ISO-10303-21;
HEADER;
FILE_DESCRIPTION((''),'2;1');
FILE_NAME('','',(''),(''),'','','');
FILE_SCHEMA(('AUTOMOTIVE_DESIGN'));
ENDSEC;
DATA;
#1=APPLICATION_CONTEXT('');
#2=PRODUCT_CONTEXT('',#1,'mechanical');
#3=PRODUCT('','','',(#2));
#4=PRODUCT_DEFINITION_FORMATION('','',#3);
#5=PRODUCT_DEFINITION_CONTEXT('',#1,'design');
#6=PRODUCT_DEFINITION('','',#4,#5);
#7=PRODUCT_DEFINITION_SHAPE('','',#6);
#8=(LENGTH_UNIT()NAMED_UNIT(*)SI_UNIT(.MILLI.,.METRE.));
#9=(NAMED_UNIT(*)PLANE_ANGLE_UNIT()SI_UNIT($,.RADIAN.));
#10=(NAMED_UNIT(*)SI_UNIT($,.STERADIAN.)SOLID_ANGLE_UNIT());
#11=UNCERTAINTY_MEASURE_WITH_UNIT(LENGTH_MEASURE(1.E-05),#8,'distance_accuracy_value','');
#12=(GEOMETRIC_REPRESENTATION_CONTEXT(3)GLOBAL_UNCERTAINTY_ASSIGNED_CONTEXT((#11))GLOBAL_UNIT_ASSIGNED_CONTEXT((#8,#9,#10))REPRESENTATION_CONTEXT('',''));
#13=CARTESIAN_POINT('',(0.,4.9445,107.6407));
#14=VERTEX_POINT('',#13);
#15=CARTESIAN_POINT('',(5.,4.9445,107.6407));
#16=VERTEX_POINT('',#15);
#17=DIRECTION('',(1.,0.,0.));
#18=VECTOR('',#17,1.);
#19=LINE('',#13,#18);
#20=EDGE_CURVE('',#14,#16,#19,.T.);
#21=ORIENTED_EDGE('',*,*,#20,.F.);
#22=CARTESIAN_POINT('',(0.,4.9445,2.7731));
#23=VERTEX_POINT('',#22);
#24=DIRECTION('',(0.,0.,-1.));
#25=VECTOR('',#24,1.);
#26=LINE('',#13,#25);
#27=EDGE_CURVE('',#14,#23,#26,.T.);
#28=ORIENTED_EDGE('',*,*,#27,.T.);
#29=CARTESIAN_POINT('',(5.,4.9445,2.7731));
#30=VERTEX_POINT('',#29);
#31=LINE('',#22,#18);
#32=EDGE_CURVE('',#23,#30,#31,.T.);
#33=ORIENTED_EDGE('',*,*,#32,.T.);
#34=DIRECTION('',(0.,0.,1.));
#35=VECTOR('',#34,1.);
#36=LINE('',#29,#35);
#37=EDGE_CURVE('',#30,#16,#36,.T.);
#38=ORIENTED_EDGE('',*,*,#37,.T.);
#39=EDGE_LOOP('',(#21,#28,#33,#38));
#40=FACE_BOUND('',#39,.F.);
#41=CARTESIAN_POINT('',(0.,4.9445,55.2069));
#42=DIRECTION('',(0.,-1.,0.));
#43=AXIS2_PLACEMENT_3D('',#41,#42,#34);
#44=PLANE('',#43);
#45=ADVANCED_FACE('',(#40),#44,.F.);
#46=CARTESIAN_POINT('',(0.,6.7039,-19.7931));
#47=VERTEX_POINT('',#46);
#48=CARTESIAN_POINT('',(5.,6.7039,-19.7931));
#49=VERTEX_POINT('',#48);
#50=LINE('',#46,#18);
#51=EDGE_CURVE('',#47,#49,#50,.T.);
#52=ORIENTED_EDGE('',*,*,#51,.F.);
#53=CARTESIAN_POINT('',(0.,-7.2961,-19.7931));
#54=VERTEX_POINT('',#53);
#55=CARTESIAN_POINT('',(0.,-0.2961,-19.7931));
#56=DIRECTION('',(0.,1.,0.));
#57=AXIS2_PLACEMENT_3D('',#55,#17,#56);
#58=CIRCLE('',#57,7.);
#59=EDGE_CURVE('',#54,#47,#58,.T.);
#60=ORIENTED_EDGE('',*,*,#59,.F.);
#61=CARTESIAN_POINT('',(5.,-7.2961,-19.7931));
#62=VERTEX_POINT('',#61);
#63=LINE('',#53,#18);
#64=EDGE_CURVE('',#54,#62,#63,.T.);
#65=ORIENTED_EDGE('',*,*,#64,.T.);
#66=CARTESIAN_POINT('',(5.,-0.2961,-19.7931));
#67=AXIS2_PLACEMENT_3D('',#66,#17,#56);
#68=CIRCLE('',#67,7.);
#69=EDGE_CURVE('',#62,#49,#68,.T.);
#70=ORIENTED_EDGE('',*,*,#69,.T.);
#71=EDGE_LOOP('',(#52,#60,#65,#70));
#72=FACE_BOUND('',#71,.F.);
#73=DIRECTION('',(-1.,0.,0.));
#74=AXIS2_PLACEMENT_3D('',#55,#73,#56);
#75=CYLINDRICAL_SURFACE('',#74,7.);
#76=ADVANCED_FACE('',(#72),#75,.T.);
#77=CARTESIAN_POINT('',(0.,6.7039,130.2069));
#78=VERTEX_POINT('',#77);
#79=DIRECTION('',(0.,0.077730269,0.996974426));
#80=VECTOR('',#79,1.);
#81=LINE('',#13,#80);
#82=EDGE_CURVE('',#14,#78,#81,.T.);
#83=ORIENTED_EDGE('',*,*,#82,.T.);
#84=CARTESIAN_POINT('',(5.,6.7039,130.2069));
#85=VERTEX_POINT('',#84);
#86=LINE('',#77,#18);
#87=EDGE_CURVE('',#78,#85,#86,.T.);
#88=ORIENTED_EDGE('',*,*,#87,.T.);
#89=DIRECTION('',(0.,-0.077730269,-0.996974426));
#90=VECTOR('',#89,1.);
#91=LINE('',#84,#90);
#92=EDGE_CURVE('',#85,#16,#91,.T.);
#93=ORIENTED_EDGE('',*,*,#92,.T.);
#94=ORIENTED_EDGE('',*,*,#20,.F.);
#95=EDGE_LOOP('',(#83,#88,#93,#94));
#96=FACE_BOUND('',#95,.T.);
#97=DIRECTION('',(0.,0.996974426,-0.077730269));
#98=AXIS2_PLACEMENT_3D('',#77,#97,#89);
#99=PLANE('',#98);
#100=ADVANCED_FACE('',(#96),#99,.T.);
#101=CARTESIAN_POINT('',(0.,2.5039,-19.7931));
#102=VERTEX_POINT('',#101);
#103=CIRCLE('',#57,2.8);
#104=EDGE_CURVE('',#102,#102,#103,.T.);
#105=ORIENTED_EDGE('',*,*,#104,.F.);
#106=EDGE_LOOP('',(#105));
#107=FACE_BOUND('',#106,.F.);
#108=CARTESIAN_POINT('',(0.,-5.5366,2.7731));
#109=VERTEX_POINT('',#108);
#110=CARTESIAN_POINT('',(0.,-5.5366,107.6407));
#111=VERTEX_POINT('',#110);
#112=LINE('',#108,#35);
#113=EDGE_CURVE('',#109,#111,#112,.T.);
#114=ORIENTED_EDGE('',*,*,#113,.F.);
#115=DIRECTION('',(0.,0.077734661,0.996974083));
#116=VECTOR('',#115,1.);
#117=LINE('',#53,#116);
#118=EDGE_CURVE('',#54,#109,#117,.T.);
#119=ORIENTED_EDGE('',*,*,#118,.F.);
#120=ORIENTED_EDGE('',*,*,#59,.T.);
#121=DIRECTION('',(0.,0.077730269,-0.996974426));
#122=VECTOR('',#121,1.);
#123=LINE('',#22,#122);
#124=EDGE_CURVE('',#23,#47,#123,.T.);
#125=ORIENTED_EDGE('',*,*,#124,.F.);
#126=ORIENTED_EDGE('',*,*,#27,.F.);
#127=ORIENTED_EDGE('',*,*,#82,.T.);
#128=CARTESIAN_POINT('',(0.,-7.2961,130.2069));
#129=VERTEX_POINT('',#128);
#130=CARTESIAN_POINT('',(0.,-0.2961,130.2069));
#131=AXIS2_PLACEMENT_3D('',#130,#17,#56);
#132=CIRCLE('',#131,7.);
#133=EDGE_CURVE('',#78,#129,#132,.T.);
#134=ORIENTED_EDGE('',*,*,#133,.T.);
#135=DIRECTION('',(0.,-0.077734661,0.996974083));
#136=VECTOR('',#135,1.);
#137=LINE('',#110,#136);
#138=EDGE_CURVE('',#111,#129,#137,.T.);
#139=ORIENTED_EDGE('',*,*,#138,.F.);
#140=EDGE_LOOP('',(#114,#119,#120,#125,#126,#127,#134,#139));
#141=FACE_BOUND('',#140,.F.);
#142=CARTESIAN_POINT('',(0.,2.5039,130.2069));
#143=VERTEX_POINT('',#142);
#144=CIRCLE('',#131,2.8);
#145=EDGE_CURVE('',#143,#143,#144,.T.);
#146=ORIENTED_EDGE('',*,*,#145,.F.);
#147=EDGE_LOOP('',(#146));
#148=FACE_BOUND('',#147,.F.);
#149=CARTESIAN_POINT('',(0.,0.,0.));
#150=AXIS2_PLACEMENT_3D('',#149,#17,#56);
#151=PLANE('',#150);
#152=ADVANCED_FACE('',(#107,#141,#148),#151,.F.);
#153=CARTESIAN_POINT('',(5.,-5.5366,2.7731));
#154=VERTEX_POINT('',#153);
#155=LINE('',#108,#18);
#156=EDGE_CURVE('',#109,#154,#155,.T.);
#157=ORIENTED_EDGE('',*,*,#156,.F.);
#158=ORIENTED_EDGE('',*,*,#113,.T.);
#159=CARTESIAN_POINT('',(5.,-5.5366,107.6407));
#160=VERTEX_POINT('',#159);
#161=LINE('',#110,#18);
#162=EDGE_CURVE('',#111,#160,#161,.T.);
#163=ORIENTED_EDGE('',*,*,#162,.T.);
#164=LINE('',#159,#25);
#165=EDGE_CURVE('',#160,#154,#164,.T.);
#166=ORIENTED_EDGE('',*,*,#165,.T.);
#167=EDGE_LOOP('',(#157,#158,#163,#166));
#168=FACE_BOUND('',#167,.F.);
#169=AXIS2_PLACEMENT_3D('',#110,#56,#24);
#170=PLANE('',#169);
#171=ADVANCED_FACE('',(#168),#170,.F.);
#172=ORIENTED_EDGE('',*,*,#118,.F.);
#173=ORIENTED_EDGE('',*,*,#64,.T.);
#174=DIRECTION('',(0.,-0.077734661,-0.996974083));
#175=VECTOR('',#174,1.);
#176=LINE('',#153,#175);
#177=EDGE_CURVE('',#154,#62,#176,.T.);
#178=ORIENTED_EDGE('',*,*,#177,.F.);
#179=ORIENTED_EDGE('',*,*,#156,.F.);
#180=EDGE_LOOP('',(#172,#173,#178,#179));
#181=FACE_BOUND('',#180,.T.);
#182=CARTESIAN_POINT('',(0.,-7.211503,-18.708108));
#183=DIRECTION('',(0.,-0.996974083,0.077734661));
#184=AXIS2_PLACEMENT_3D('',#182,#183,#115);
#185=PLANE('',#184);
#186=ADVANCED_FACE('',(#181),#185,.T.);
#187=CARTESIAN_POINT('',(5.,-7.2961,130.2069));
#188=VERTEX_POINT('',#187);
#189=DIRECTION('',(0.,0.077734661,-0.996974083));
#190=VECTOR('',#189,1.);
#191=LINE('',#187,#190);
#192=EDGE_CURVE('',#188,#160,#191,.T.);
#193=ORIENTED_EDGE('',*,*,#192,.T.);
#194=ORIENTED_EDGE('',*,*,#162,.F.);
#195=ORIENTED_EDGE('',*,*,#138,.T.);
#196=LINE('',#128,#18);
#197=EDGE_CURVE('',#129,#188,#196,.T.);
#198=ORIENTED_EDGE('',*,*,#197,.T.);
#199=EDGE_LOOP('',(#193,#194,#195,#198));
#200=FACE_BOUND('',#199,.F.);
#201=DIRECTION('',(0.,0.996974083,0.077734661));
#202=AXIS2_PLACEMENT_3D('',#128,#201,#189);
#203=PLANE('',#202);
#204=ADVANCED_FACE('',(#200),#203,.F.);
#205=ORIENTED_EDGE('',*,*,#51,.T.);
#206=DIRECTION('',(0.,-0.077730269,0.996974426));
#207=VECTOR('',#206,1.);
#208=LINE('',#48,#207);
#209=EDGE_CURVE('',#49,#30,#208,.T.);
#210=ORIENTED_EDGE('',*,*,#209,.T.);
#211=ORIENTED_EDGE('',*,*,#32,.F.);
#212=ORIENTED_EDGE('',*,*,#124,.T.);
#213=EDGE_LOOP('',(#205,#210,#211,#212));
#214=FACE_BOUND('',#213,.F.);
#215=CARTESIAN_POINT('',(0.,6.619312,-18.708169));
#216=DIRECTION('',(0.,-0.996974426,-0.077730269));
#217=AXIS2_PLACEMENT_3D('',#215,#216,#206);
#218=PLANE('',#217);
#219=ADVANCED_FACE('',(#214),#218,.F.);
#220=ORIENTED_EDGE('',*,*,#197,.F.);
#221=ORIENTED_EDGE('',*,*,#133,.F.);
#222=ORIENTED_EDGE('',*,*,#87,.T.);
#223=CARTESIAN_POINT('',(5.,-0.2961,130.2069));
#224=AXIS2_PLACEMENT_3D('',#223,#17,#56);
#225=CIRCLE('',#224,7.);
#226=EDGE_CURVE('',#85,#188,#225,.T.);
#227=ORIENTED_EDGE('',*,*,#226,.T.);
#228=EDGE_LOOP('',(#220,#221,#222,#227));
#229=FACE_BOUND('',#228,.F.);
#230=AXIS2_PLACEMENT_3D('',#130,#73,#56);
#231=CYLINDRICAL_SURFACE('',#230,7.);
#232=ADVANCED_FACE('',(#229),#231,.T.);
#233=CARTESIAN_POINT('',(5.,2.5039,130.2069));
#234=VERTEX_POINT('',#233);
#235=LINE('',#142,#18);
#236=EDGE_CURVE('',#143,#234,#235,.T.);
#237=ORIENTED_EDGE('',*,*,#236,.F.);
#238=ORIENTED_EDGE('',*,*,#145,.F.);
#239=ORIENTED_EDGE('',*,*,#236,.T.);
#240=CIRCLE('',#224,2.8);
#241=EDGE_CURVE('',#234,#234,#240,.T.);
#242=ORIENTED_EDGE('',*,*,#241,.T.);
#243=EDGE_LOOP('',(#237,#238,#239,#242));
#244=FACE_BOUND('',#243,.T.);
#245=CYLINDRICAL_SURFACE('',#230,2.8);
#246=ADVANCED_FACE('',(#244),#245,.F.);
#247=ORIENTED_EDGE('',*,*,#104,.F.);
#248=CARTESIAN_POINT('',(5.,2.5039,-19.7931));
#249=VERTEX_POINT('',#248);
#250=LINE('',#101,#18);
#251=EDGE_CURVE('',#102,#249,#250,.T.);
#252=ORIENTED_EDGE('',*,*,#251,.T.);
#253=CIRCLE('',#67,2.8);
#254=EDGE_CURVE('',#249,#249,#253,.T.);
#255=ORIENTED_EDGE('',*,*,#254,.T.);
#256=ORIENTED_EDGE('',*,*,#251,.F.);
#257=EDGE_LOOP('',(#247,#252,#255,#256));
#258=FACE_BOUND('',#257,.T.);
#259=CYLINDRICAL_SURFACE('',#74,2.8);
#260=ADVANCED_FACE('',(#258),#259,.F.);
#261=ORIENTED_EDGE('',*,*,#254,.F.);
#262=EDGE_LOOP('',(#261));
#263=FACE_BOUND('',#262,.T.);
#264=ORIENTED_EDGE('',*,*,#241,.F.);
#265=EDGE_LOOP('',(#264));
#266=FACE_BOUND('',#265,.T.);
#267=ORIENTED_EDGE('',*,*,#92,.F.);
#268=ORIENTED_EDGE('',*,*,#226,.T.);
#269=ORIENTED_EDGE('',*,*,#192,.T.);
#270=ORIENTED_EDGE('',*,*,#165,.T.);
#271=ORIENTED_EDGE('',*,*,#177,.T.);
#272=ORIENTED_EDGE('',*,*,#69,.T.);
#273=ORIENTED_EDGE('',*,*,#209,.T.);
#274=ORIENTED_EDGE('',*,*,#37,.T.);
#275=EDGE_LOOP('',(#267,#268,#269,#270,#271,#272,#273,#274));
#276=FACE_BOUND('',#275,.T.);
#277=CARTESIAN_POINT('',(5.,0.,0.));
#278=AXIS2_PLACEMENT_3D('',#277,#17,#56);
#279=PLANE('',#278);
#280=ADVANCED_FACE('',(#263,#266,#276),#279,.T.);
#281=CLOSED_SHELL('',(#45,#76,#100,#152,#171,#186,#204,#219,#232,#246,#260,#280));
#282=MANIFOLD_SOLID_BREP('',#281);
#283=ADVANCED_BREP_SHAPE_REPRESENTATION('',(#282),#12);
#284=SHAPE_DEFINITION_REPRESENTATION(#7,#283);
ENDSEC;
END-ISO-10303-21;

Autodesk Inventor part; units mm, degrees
ref_plane "YZ Plane" through (0, 0, 0) normal (1, 0, 0) x (0, 1, 0)
ref_plane "XZ Plane" through (0, 0, 0) normal (0, 1, 0) x (-1, 0, 0)
ref_plane "XY Plane" through (0, 0, 0) normal (0, 0, 1) x (1, 0, 0)
sketch "Esquisse1" plane through (0, 0, 0) normal (1, 0, 0) x (0, 1, 0)
  circle A0 centre (-0.2961, 130.2069) radius 2.8
  circle A1 centre (-0.2961, -19.7931) radius 2.8
  circle A2 centre (-0.2961, 130.2069) radius 7
  circle A3 centre (-0.2961, -19.7931) radius 7
  line L0 (4.9445, 125.5662) -> (-5.5366, 125.5662)
  line L1 (-5.5366, 125.5662) -> (-5.5366, -15.1524)
  line L2 (-5.5366, -15.1524) -> (4.9445, -15.1524)
  line L3 (4.9445, -15.1524) -> (4.9445, 125.5662)
  line L4 (6.7039, 130.2069) -> (4.9445, 107.6407)
  line L5 (-0.2961, 125.5662) -> (-0.2961, -15.1524)
  line L6 (-7.2961, 130.2069) -> (-5.5366, 107.6407)
  line L7 (-5.5366, 55.2069) -> (4.9445, 55.2069)
  line L8 (6.7039, -19.7931) -> (4.9445, 2.7731)
  line L9 (-7.2961, -19.7931) -> (-5.5366, 2.7731)
  point P0 (0, 0)
  point P1 (6.7039, -19.7931)
  dimension "d3" = 14
  dimension "d0" = 5.6
  dimension "d1" = 5.6
  dimension "d2" = 150
  dimension "d4" = 14
extrude "Extrusion1" add sketch "Esquisse1" along normal blind 5 contours L4 A2 L0 L6 | L4 L3 A2 | A2 L1 L6 | L3 L7 L5 A2 | A2 L5 L0 | L0 L5 A2 | A2 L5 L7 L1 | L3 A3 L5 L7 | L7 L5 A3 L1 | L8 A3 L3 | L1 A3 L9 | L5 L2 A3 | A3 L2 L5 | A3 L8 L9 L2
properties part number "Bielette"
